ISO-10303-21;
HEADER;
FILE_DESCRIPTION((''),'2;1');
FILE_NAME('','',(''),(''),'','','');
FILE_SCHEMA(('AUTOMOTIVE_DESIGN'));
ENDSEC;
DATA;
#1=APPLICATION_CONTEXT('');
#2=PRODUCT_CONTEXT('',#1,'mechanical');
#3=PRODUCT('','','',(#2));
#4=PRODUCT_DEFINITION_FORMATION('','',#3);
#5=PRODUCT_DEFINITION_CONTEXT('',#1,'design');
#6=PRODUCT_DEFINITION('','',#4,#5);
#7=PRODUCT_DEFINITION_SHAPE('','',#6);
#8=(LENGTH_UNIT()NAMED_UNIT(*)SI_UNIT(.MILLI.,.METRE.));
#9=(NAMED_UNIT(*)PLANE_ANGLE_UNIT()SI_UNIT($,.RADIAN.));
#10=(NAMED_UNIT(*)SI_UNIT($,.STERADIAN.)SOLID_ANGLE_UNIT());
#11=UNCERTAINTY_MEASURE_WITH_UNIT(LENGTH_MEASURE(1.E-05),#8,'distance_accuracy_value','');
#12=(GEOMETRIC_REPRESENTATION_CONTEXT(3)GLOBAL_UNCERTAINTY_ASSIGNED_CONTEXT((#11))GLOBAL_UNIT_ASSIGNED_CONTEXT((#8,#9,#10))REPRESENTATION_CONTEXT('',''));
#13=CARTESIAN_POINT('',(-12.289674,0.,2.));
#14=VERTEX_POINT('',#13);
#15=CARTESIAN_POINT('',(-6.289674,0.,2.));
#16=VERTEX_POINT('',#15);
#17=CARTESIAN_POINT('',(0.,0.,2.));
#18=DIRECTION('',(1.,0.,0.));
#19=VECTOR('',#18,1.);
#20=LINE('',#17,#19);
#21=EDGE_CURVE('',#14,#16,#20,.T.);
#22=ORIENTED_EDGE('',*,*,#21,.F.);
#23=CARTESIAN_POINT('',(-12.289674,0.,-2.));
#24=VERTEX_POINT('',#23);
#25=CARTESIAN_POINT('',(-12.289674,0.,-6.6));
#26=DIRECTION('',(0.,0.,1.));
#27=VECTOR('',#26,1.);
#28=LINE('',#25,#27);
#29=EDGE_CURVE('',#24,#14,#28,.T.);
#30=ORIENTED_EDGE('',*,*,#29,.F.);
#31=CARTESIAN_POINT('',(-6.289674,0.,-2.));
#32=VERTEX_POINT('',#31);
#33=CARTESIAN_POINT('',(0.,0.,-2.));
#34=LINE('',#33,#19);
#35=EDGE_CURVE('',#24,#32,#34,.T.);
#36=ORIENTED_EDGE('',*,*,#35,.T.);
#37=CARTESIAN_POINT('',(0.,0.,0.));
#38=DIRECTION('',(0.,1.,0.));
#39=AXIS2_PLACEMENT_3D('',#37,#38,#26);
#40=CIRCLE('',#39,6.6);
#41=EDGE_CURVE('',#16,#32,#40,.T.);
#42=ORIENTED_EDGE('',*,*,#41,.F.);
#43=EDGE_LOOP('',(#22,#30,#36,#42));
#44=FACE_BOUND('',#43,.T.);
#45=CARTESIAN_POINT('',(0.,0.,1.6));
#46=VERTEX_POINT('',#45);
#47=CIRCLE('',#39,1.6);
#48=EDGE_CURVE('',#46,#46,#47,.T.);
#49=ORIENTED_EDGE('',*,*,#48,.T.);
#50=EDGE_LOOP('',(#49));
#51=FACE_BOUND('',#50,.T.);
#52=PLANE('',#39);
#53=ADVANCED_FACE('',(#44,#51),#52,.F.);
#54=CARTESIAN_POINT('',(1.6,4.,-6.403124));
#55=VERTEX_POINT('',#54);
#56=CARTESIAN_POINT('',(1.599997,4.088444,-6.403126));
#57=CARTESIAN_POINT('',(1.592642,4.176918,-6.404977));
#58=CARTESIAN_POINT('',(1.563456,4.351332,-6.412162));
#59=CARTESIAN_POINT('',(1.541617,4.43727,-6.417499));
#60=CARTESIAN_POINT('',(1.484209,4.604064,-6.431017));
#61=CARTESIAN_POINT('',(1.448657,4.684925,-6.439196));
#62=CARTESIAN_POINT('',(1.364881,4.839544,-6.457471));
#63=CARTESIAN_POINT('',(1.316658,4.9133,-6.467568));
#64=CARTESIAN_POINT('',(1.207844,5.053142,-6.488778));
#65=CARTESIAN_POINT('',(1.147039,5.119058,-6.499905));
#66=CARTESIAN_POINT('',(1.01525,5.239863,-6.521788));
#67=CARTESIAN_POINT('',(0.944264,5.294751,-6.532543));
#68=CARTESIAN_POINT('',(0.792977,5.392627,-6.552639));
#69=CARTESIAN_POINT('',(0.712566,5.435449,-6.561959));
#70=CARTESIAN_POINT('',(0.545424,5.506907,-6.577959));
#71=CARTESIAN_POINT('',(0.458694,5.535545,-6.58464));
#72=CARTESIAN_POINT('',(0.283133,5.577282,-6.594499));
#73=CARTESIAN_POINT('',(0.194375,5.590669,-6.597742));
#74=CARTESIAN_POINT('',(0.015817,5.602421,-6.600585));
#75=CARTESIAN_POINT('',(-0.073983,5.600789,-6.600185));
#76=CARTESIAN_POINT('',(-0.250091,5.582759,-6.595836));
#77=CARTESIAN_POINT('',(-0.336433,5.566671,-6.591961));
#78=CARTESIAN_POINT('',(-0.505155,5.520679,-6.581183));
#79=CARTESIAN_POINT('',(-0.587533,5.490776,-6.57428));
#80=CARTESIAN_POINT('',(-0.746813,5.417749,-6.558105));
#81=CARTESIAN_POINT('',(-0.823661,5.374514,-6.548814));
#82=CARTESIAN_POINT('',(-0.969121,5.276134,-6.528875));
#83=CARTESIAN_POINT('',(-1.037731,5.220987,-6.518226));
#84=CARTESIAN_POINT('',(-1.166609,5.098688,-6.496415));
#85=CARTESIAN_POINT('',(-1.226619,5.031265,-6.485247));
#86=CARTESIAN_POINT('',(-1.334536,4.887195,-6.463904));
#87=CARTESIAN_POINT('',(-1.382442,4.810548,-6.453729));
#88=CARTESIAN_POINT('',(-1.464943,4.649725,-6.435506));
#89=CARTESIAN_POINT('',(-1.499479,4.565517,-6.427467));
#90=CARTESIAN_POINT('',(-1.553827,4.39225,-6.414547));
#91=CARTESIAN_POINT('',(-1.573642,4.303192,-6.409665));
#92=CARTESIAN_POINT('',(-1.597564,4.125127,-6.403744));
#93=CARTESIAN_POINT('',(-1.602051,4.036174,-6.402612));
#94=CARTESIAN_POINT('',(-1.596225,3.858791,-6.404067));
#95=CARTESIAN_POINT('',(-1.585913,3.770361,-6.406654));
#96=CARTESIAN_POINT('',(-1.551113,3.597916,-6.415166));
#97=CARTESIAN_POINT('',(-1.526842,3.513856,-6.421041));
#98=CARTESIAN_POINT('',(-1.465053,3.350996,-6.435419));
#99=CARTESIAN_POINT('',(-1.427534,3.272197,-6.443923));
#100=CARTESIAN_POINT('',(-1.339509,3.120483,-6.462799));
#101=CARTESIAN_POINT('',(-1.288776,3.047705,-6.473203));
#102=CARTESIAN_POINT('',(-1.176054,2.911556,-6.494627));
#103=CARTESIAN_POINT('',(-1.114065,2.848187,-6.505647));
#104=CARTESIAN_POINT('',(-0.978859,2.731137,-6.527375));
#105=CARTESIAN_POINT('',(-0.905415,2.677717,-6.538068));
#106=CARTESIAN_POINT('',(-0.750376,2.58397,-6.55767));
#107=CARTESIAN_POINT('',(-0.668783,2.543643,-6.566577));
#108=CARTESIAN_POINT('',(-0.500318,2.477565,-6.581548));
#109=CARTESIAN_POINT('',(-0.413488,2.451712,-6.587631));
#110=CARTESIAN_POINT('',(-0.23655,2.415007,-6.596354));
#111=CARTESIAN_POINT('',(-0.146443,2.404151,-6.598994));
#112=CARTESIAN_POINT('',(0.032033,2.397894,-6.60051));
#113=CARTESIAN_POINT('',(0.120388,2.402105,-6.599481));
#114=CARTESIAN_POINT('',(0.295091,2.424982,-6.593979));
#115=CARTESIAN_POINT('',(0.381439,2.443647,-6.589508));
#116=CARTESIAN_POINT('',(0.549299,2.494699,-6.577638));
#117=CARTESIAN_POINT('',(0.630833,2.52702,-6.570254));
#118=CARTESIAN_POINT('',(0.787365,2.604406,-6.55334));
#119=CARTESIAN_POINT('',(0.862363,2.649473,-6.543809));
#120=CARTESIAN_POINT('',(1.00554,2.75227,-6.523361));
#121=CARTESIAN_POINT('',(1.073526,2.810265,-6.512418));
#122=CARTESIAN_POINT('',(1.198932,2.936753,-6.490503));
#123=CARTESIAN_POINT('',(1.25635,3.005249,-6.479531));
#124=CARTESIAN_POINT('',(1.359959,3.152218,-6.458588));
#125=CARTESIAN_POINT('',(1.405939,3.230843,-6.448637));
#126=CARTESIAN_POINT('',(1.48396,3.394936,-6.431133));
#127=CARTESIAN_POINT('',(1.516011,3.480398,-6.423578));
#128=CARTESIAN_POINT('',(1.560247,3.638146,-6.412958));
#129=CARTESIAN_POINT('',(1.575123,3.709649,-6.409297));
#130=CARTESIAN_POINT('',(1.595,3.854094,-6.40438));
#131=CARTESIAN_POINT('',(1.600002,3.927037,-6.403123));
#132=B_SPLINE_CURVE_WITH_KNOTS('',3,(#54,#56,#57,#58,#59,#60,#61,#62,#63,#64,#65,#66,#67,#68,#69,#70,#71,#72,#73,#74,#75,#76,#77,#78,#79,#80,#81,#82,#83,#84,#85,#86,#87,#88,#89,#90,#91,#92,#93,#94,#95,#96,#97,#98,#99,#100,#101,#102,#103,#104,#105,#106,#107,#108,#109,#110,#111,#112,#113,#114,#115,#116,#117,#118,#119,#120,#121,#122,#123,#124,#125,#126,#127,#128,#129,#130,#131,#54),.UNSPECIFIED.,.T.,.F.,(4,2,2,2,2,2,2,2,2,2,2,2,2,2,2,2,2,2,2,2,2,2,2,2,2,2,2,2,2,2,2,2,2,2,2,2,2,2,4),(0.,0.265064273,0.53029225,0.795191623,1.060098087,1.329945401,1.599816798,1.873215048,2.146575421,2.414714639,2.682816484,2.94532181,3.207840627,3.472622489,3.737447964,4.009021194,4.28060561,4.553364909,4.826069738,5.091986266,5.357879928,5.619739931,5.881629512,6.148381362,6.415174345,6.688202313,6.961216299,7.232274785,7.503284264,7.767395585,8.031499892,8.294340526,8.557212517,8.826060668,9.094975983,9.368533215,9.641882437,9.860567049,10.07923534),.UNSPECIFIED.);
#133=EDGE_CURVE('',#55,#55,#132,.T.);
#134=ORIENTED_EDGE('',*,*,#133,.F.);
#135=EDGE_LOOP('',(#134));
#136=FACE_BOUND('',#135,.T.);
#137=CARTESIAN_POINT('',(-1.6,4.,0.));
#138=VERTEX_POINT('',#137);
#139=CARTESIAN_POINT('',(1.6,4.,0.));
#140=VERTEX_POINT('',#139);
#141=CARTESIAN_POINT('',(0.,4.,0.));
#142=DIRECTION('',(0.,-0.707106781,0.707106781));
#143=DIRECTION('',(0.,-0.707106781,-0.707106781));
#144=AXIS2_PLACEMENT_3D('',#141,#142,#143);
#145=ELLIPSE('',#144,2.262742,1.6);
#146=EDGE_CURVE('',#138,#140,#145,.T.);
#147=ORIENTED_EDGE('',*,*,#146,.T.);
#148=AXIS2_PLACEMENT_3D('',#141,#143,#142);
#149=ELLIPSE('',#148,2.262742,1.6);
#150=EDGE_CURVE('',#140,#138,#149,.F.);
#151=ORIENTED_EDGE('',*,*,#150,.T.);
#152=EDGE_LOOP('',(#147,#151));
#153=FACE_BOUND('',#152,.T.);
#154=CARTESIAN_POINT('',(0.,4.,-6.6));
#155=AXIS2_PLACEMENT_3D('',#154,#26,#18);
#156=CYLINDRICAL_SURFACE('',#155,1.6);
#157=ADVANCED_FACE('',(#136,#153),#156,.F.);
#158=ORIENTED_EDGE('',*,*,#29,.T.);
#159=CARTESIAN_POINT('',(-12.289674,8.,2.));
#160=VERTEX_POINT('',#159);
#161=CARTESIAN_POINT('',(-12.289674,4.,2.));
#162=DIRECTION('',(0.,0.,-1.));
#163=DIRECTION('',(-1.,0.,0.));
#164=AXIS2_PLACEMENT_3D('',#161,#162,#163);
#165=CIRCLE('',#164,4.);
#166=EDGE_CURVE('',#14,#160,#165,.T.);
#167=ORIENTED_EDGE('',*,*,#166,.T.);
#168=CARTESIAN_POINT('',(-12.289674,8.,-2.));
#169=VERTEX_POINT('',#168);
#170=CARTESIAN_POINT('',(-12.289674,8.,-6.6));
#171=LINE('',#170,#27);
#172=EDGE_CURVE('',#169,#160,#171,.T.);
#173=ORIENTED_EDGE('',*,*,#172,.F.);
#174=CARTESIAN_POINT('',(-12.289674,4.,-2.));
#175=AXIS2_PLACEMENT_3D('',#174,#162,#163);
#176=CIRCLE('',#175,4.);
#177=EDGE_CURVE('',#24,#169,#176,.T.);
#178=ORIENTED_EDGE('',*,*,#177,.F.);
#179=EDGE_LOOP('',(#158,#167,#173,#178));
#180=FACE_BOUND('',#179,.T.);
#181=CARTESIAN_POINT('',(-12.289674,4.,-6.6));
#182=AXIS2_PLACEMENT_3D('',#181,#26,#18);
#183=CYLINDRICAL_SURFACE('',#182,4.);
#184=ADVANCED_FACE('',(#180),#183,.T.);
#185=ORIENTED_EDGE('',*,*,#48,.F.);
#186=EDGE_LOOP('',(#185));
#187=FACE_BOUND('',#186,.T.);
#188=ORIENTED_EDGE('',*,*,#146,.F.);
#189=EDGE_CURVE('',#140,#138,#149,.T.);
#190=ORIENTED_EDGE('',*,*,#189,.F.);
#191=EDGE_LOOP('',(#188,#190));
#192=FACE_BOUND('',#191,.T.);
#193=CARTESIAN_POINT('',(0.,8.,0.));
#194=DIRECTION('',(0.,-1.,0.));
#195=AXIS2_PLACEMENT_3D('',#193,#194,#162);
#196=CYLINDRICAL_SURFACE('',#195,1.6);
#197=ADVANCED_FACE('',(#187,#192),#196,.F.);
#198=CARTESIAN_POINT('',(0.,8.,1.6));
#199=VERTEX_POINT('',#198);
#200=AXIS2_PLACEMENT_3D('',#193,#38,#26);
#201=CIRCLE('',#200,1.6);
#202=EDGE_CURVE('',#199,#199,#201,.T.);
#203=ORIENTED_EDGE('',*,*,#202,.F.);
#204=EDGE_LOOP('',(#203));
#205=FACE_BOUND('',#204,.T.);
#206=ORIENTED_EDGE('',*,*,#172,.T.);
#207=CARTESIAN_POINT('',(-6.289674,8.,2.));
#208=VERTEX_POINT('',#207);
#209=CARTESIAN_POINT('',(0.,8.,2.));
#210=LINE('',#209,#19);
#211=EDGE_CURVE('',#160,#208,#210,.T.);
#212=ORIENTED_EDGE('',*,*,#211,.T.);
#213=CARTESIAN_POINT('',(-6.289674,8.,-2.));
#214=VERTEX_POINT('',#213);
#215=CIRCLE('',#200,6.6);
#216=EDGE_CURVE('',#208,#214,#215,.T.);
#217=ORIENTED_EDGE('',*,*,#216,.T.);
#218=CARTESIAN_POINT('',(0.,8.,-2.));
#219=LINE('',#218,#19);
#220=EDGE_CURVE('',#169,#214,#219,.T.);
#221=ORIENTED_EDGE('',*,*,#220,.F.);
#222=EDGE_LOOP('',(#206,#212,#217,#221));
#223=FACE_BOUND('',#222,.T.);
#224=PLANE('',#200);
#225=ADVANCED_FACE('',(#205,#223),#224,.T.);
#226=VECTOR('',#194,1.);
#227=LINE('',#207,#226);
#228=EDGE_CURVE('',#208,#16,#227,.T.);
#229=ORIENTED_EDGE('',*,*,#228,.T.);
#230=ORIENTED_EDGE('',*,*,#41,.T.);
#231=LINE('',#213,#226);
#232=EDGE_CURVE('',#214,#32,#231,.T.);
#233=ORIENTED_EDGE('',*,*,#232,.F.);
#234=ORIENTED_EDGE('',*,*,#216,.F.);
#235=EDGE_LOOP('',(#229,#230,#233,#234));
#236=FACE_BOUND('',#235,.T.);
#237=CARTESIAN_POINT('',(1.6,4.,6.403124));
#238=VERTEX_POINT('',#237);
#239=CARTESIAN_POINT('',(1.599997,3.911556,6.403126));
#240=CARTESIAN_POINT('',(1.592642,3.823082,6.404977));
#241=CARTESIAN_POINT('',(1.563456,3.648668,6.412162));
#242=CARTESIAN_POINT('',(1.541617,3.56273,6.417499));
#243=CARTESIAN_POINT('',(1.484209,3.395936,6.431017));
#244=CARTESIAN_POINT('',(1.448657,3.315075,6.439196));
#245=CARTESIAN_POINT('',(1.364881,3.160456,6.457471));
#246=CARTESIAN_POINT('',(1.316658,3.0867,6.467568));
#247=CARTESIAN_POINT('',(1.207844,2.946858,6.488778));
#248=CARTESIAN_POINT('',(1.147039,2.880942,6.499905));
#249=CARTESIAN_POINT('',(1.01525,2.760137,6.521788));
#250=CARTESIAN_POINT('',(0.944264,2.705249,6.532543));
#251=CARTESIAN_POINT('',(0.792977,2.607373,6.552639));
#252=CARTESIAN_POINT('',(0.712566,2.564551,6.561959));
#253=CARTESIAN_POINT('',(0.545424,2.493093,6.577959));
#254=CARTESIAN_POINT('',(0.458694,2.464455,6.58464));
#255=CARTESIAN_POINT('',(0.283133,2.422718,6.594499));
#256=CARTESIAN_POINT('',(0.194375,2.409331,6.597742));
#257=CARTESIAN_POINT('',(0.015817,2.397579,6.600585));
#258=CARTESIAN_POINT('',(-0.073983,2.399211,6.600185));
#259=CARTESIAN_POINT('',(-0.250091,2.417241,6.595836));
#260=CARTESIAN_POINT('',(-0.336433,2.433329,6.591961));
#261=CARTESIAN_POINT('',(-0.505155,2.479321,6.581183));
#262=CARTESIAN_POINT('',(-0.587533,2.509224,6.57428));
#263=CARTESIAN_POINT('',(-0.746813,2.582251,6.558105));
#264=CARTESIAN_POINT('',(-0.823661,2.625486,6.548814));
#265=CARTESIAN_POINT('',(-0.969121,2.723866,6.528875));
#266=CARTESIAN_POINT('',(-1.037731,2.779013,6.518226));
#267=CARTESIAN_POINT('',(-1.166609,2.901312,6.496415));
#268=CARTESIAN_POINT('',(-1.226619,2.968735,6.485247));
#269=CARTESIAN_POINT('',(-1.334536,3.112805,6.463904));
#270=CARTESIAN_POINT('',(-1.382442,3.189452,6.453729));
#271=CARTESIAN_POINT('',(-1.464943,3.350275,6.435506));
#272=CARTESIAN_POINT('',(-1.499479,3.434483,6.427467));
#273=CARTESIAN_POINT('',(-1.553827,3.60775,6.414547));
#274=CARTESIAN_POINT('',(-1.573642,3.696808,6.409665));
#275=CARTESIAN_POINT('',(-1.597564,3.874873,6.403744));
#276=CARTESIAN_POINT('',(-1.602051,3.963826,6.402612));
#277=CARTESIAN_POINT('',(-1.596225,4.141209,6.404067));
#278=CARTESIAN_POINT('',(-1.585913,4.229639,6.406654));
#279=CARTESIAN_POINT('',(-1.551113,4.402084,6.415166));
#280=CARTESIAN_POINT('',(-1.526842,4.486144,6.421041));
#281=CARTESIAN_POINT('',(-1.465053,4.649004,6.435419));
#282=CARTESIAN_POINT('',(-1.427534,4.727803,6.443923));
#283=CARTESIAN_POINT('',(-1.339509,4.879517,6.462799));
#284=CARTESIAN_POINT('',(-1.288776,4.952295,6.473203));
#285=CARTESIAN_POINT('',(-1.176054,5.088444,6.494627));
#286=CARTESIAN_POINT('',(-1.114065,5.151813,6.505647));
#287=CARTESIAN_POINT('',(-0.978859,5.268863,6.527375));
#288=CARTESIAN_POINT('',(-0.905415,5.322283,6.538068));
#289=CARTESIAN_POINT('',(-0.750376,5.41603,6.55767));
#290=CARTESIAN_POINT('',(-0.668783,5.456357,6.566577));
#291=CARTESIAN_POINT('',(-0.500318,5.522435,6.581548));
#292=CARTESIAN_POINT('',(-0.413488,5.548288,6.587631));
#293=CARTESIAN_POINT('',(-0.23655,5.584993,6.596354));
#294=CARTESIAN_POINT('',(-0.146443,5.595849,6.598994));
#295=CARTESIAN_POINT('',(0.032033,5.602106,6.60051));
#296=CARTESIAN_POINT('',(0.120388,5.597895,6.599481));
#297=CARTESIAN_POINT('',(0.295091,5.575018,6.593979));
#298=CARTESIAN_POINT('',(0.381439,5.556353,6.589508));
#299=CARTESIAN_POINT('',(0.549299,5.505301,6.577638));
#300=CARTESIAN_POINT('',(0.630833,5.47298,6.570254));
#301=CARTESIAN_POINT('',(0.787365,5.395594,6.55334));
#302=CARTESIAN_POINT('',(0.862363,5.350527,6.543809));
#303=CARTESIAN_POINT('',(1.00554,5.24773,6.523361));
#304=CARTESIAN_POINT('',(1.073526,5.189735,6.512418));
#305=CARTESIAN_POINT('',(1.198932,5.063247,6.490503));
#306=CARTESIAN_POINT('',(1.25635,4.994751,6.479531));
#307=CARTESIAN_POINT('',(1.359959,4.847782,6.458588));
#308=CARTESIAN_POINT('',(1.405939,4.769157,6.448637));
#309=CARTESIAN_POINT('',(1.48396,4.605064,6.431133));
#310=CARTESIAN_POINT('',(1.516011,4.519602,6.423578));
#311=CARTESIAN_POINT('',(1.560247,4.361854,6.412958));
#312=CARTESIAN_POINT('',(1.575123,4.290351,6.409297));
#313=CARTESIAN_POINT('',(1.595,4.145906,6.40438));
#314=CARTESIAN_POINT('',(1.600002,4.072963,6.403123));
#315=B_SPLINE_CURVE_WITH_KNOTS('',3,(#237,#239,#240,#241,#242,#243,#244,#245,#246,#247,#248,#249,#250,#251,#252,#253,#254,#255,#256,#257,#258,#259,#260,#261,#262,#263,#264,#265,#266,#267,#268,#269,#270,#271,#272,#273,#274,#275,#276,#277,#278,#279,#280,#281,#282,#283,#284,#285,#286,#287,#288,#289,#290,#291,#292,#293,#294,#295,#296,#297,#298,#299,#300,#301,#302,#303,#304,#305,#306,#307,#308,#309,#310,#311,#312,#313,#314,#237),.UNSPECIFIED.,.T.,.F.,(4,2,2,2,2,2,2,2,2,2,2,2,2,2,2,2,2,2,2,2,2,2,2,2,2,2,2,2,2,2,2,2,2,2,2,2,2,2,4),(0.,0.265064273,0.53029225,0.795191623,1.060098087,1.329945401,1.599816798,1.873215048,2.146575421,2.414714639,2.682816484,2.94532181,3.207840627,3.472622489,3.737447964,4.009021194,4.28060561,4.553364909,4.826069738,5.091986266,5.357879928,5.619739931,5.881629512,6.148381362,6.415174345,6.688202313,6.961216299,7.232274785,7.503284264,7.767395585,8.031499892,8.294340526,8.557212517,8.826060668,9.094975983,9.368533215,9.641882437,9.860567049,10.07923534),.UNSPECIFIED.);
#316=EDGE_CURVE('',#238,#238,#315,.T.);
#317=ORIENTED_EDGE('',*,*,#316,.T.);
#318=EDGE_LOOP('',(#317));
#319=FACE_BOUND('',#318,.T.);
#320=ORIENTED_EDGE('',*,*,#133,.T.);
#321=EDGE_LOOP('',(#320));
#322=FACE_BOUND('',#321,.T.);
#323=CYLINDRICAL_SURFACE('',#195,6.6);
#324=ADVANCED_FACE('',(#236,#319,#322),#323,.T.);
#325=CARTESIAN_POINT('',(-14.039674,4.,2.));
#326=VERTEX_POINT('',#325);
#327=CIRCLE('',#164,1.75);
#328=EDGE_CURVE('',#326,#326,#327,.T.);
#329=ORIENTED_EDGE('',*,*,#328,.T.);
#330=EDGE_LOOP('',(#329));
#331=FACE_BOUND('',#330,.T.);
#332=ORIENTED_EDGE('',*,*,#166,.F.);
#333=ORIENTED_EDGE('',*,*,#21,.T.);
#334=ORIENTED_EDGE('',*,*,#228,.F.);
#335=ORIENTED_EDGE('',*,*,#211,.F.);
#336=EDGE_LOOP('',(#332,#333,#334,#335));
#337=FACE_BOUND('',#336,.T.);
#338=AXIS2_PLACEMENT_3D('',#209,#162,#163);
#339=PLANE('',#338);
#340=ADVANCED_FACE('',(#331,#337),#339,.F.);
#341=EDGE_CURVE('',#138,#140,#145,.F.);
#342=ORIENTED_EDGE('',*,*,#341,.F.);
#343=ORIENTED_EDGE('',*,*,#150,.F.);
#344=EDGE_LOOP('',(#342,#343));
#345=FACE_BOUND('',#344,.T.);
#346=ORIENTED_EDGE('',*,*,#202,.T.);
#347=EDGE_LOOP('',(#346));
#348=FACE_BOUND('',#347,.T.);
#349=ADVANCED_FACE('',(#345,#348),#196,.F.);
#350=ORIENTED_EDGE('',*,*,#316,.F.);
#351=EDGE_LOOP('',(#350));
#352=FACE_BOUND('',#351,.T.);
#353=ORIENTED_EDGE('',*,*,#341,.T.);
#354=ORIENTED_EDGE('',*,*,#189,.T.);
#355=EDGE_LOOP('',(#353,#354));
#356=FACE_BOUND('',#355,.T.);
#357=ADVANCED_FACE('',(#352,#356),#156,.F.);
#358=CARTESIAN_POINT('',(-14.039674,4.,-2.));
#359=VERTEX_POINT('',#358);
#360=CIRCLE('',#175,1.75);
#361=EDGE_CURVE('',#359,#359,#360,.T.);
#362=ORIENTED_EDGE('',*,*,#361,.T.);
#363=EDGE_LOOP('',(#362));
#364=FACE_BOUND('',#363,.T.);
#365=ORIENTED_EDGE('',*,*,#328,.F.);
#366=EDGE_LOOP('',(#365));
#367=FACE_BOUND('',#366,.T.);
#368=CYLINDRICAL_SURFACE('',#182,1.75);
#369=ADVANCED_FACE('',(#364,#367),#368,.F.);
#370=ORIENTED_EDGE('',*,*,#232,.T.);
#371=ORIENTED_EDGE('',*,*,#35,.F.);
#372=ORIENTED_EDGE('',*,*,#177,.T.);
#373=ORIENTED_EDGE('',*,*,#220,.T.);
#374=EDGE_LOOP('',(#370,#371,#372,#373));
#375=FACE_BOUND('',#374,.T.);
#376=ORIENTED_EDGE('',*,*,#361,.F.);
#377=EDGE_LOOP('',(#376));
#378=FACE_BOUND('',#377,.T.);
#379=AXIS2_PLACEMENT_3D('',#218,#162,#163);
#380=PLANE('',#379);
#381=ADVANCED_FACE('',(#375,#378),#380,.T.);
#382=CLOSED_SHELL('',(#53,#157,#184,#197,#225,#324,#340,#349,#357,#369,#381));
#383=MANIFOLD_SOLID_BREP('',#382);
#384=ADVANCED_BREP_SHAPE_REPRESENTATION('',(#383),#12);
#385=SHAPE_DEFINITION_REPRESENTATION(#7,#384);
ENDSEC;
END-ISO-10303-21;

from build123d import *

# Parameters (mm, degrees)
SKETCH1_R               = 1.6
BOSS_EXTRUDE1_DEPTH     = 8
CUT_EXTRUDE1_DEPTH      = 21.082666196
CUT_EXTRUDE1_DEPTH_BACK = 21.082666196
SKETCH2_R               = 1.75
SKETCH2_R_2             = 1.6


with BuildPart() as part:
    # Sketch1 → Boss-Extrude1 (new body)
    with BuildSketch(Plane(origin=(0, 0, 0), x_dir=(1, 0, 0), z_dir=(0, 1, 0))):
        with BuildLine():
            Line((-6.289674077, 2), (-16.289674077, 2))
            Line((-16.289674077, 2), (-16.289674077, -2))
            Line((-16.289674077, -2), (-6.289674077, -2))
            ThreePointArc((-6.289674077, -2), (0, -6.6), (6.289674077, -2))
            ThreePointArc((6.289674077, -2), (6.6, 0), (6.289674077, 2))
            ThreePointArc((6.289674077, 2), (0, 6.6), (-6.289674077, 2))
        make_face()
        Circle(SKETCH1_R, mode=Mode.SUBTRACT)
    extrude(amount=BOSS_EXTRUDE1_DEPTH)

    # Sketch2 → Cut-Extrude1 (cut, two sides: drawn at the far end of the back side and taken through both)
    with BuildSketch(Plane.XY.offset(2).offset(-CUT_EXTRUDE1_DEPTH_BACK)):
        with BuildLine():
            Line((-16.289674077, 4), (-16.289674077, 0))
            Line((-16.289674077, 0), (-12.289674077, 0))
            ThreePointArc((-12.289674077, 0), (-15.118101202, 1.171572875), (-16.289674077, 4))
        make_face()
        with BuildLine():
            Line((-16.289674077, 8), (-16.289674077, 4))
            ThreePointArc((-16.289674077, 4), (-15.118101202, 6.828427125), (-12.289674077, 8))
            Line((-12.289674077, 8), (-16.289674077, 8))
        make_face()
        with Locations((-12.289674077, 4)):
            Circle(SKETCH2_R)
        with Locations((0, 4)):
            Circle(SKETCH2_R_2)
    extrude(amount=CUT_EXTRUDE1_DEPTH + CUT_EXTRUDE1_DEPTH_BACK, mode=Mode.SUBTRACT)


solid = part.part
